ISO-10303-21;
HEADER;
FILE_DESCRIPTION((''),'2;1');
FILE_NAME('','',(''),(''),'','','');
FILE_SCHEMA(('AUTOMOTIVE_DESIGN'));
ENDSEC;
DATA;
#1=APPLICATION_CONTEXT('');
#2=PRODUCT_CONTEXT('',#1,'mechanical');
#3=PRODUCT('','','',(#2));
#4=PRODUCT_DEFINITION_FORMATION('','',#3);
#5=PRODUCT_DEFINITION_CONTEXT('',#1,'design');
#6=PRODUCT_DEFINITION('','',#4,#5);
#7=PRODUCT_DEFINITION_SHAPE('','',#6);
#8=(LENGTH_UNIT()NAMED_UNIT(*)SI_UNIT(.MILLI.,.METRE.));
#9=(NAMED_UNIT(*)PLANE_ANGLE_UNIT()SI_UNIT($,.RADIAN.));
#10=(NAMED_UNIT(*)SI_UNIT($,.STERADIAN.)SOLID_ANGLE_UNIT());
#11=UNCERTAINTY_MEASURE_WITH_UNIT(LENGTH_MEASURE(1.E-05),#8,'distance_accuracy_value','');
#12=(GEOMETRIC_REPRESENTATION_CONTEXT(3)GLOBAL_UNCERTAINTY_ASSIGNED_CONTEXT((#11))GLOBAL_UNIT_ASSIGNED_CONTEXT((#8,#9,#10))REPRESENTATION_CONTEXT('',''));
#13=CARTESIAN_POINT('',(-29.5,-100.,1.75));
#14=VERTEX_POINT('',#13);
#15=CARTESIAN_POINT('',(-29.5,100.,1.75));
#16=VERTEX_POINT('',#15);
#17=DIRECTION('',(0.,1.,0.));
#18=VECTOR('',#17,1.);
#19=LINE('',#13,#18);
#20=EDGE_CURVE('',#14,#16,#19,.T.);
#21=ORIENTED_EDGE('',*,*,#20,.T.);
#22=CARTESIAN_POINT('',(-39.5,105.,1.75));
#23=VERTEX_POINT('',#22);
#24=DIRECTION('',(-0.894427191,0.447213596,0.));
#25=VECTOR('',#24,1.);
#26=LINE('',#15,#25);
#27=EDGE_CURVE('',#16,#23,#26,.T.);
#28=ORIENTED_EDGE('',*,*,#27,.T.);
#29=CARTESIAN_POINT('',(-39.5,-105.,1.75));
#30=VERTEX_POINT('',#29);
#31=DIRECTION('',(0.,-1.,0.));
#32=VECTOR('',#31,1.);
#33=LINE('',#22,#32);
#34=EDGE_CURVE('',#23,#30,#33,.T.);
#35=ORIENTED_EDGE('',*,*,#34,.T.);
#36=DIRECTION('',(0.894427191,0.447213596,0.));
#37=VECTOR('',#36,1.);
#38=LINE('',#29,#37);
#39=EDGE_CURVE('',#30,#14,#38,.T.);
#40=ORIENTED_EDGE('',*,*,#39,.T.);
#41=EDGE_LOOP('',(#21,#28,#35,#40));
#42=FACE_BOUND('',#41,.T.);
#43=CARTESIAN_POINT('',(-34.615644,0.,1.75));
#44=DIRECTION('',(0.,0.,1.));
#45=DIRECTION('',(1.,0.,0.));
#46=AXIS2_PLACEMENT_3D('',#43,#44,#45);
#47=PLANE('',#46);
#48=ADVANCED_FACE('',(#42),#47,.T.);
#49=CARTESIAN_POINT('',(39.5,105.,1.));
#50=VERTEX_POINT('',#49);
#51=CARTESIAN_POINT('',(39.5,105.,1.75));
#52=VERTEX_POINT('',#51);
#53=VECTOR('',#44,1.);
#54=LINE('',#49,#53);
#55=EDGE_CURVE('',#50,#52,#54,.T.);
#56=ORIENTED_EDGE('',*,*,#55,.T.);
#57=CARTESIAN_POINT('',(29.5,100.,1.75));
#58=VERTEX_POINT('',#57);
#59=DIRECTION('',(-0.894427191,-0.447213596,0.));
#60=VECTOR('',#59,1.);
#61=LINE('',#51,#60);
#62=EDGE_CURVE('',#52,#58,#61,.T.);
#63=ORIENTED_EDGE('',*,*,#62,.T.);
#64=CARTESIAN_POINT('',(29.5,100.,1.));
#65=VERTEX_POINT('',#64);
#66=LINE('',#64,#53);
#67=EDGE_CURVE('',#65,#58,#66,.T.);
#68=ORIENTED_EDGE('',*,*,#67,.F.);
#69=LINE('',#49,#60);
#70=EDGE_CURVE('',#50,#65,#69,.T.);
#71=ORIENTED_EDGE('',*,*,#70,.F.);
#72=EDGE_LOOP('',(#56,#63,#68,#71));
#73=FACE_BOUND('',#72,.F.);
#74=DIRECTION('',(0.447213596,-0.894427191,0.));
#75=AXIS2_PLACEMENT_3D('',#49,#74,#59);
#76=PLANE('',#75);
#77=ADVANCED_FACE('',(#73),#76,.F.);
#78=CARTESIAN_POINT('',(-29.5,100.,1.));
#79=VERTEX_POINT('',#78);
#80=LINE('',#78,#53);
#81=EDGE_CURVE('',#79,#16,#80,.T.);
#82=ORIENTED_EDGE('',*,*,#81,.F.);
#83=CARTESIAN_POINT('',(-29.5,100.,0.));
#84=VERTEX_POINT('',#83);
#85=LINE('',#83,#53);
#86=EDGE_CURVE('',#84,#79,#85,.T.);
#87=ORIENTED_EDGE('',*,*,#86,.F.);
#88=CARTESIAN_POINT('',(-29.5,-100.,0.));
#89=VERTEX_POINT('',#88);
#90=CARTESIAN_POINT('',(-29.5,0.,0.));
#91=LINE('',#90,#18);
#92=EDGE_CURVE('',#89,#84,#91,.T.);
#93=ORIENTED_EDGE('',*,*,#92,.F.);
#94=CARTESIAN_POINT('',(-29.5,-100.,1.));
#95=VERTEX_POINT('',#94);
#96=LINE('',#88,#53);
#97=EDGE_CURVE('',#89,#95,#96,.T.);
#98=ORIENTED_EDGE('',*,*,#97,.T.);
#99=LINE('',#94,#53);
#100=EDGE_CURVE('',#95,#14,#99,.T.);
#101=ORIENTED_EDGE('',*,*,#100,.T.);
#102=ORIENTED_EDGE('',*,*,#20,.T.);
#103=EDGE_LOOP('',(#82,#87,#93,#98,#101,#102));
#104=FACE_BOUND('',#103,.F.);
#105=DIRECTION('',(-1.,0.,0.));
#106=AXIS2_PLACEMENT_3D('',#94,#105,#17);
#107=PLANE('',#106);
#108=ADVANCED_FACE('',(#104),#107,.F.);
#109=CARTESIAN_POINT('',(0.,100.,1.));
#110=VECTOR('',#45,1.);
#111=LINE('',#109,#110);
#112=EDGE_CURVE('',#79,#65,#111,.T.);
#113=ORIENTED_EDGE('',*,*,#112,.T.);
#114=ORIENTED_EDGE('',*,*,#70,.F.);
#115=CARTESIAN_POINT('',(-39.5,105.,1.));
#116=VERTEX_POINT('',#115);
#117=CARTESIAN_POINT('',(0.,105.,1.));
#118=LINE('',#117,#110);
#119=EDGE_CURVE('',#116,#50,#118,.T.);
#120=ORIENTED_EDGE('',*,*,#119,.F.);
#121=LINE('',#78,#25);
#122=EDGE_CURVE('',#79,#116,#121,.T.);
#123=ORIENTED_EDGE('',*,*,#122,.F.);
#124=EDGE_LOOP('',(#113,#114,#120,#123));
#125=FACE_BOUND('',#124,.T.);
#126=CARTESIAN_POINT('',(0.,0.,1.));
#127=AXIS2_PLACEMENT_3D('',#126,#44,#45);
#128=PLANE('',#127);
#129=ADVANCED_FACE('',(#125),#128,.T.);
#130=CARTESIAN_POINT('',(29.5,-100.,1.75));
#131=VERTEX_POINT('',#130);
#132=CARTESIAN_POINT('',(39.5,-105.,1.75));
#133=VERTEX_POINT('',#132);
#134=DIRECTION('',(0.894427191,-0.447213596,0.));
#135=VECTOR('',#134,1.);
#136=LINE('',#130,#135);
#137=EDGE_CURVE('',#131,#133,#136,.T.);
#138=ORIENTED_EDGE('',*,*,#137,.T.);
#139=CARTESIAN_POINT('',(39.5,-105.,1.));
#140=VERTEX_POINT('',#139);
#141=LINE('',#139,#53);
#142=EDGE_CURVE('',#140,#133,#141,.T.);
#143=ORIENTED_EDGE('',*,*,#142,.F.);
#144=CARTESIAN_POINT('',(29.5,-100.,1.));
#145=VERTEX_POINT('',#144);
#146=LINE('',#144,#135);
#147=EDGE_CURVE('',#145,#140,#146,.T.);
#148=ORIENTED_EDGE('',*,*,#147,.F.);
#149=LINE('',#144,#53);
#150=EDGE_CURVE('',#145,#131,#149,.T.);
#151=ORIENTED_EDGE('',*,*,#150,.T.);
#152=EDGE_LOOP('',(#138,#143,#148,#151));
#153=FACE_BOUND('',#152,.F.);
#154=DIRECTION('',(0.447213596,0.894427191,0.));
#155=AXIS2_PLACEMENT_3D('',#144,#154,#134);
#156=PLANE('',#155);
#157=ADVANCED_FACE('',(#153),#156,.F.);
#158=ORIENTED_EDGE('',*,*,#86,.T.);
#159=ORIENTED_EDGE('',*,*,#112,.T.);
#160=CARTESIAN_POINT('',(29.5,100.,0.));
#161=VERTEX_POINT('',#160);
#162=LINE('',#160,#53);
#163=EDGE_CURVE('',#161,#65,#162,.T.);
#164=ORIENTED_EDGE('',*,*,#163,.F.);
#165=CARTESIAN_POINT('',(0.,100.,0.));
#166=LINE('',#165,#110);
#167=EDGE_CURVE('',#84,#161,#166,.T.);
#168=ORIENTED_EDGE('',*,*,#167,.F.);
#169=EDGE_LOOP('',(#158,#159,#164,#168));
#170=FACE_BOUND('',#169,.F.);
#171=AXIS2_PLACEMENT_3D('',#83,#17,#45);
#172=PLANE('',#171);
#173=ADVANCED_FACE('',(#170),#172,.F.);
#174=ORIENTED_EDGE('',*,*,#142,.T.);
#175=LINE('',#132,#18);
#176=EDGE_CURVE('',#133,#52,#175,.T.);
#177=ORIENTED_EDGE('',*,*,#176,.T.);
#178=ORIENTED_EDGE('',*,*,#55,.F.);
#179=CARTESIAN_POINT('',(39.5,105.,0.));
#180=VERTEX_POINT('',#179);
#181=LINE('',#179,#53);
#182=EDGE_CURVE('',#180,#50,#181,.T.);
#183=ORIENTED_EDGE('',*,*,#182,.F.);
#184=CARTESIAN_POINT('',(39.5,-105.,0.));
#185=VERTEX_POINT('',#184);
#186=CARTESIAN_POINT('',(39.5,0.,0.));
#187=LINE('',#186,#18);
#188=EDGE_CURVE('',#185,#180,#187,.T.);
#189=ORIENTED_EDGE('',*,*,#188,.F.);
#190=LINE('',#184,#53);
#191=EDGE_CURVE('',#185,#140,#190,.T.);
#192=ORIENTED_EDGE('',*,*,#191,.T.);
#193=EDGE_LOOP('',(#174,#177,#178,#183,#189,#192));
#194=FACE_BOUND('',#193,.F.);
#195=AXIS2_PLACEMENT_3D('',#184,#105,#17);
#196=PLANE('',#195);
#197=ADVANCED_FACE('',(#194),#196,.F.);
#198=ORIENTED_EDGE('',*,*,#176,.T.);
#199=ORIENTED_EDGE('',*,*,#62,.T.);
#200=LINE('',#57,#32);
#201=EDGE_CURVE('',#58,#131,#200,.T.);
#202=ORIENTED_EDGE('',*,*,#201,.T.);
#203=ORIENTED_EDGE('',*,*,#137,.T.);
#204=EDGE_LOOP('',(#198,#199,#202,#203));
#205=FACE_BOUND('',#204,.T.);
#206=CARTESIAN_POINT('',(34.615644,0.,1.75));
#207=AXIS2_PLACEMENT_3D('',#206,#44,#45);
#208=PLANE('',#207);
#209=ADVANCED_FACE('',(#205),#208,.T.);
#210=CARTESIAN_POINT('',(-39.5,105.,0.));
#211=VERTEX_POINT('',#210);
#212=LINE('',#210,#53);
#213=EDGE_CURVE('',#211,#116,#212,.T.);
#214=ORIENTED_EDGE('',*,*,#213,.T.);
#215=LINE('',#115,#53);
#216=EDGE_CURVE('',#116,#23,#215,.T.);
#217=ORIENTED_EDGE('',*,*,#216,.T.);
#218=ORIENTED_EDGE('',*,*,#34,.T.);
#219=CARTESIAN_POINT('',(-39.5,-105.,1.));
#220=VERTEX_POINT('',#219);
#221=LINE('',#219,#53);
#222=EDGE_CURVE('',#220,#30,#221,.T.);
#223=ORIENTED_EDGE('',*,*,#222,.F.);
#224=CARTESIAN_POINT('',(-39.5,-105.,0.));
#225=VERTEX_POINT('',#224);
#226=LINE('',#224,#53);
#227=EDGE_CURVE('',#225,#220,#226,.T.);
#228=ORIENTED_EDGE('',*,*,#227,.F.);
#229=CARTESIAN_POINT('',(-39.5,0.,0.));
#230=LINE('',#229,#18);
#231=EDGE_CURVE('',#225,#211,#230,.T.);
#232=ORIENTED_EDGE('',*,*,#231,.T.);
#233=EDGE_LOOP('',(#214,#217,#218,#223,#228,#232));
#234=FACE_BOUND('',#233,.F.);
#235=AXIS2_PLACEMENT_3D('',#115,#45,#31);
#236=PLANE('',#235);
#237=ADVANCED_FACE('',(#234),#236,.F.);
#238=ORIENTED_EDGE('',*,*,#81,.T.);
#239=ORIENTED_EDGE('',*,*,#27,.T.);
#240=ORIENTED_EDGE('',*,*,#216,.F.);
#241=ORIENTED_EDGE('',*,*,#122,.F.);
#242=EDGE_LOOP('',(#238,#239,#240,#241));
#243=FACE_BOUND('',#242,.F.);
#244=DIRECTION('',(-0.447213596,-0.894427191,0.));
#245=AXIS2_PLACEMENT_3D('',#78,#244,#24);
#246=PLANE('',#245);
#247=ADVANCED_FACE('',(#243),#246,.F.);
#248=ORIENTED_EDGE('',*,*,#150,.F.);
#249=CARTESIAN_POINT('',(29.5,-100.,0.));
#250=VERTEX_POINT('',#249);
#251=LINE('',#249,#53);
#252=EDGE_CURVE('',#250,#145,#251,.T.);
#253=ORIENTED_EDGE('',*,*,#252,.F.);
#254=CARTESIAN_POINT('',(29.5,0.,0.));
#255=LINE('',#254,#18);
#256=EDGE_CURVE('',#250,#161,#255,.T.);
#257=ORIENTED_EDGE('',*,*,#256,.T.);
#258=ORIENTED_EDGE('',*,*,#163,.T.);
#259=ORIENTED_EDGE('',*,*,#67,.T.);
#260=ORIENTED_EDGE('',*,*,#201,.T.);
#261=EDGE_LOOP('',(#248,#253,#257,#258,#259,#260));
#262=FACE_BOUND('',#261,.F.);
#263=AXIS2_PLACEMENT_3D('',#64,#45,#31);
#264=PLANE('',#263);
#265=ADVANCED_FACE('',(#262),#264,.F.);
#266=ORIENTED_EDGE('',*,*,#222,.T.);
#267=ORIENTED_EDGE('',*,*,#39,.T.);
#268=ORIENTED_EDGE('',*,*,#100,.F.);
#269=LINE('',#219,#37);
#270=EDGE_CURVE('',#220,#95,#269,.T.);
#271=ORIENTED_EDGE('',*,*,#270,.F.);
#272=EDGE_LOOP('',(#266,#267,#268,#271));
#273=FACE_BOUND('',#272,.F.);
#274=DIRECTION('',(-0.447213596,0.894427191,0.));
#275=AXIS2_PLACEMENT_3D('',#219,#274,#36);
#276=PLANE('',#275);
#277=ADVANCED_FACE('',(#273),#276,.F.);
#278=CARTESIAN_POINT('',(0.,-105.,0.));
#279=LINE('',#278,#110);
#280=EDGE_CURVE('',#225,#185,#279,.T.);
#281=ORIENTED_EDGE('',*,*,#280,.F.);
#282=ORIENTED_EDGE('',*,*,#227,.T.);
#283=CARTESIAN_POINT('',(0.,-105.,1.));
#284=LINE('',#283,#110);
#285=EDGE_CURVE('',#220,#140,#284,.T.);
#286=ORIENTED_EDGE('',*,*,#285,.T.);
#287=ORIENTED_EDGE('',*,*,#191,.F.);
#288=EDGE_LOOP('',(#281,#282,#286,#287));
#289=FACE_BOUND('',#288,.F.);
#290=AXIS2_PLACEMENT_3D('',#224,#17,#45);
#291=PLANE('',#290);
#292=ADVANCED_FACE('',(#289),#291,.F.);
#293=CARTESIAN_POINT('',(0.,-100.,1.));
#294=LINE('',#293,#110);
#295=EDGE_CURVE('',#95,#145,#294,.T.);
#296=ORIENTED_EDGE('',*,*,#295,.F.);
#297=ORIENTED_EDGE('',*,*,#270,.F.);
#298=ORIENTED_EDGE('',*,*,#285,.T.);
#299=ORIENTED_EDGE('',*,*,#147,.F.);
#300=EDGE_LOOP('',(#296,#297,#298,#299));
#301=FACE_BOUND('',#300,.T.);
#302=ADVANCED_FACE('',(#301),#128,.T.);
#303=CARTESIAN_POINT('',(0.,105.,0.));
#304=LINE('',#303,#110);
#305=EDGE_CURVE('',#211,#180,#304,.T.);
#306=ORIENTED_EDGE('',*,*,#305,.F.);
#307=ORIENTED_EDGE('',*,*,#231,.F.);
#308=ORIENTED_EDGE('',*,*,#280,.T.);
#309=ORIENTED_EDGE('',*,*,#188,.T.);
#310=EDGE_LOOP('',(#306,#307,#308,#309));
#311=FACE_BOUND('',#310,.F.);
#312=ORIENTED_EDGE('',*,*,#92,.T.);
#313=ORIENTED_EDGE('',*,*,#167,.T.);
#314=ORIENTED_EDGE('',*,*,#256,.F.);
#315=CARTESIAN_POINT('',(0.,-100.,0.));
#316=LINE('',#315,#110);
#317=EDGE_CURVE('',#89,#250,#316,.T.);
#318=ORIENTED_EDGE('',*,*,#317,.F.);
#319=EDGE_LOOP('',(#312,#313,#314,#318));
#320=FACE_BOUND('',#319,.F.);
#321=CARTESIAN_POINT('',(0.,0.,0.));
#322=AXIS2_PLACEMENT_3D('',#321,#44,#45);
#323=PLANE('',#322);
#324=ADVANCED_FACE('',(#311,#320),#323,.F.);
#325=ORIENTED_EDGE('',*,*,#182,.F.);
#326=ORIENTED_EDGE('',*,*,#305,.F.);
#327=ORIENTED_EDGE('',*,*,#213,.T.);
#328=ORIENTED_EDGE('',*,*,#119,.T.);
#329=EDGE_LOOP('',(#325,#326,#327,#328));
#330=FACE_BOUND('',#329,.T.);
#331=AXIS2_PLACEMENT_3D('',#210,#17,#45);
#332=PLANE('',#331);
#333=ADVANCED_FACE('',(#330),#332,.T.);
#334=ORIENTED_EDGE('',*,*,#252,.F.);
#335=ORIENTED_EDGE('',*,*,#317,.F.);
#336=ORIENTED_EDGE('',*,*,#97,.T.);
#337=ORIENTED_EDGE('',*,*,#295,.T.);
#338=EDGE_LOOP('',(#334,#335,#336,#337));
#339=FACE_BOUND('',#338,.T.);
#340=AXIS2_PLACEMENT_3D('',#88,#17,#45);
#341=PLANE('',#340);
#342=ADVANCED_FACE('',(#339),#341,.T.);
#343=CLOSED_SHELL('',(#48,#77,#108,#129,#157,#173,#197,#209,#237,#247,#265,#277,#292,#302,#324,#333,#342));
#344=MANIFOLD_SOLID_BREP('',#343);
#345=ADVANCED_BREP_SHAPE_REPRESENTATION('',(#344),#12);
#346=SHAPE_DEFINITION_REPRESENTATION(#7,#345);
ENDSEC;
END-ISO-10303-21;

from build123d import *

# Parameters (mm, degrees)
F0_W     = 79
F0_H     = 210
F0_W_2   = 59
F0_H_2   = 200
F1_DEPTH = 1
F3_DEPTH = 0.75


with BuildPart() as f1:
    # F0 (on Top) → F1 (new body)
    with BuildSketch(Plane.XY):
        Rectangle(F0_W, F0_H)
        Rectangle(F0_W_2, F0_H_2, mode=Mode.SUBTRACT)
    extrude(amount=F1_DEPTH)

    # F2 (on face) → F3 (join)
    with BuildSketch(Plane.XY.offset(1)):
        Polygon((-29.5, 100), (-39.5, 105), (-39.5, -105), (-29.5, -100), align=None)
        Polygon((39.5, -105), (39.5, 105), (29.5, 100), (29.5, -100), align=None)
    extrude(amount=F3_DEPTH)


solid = f1.part
